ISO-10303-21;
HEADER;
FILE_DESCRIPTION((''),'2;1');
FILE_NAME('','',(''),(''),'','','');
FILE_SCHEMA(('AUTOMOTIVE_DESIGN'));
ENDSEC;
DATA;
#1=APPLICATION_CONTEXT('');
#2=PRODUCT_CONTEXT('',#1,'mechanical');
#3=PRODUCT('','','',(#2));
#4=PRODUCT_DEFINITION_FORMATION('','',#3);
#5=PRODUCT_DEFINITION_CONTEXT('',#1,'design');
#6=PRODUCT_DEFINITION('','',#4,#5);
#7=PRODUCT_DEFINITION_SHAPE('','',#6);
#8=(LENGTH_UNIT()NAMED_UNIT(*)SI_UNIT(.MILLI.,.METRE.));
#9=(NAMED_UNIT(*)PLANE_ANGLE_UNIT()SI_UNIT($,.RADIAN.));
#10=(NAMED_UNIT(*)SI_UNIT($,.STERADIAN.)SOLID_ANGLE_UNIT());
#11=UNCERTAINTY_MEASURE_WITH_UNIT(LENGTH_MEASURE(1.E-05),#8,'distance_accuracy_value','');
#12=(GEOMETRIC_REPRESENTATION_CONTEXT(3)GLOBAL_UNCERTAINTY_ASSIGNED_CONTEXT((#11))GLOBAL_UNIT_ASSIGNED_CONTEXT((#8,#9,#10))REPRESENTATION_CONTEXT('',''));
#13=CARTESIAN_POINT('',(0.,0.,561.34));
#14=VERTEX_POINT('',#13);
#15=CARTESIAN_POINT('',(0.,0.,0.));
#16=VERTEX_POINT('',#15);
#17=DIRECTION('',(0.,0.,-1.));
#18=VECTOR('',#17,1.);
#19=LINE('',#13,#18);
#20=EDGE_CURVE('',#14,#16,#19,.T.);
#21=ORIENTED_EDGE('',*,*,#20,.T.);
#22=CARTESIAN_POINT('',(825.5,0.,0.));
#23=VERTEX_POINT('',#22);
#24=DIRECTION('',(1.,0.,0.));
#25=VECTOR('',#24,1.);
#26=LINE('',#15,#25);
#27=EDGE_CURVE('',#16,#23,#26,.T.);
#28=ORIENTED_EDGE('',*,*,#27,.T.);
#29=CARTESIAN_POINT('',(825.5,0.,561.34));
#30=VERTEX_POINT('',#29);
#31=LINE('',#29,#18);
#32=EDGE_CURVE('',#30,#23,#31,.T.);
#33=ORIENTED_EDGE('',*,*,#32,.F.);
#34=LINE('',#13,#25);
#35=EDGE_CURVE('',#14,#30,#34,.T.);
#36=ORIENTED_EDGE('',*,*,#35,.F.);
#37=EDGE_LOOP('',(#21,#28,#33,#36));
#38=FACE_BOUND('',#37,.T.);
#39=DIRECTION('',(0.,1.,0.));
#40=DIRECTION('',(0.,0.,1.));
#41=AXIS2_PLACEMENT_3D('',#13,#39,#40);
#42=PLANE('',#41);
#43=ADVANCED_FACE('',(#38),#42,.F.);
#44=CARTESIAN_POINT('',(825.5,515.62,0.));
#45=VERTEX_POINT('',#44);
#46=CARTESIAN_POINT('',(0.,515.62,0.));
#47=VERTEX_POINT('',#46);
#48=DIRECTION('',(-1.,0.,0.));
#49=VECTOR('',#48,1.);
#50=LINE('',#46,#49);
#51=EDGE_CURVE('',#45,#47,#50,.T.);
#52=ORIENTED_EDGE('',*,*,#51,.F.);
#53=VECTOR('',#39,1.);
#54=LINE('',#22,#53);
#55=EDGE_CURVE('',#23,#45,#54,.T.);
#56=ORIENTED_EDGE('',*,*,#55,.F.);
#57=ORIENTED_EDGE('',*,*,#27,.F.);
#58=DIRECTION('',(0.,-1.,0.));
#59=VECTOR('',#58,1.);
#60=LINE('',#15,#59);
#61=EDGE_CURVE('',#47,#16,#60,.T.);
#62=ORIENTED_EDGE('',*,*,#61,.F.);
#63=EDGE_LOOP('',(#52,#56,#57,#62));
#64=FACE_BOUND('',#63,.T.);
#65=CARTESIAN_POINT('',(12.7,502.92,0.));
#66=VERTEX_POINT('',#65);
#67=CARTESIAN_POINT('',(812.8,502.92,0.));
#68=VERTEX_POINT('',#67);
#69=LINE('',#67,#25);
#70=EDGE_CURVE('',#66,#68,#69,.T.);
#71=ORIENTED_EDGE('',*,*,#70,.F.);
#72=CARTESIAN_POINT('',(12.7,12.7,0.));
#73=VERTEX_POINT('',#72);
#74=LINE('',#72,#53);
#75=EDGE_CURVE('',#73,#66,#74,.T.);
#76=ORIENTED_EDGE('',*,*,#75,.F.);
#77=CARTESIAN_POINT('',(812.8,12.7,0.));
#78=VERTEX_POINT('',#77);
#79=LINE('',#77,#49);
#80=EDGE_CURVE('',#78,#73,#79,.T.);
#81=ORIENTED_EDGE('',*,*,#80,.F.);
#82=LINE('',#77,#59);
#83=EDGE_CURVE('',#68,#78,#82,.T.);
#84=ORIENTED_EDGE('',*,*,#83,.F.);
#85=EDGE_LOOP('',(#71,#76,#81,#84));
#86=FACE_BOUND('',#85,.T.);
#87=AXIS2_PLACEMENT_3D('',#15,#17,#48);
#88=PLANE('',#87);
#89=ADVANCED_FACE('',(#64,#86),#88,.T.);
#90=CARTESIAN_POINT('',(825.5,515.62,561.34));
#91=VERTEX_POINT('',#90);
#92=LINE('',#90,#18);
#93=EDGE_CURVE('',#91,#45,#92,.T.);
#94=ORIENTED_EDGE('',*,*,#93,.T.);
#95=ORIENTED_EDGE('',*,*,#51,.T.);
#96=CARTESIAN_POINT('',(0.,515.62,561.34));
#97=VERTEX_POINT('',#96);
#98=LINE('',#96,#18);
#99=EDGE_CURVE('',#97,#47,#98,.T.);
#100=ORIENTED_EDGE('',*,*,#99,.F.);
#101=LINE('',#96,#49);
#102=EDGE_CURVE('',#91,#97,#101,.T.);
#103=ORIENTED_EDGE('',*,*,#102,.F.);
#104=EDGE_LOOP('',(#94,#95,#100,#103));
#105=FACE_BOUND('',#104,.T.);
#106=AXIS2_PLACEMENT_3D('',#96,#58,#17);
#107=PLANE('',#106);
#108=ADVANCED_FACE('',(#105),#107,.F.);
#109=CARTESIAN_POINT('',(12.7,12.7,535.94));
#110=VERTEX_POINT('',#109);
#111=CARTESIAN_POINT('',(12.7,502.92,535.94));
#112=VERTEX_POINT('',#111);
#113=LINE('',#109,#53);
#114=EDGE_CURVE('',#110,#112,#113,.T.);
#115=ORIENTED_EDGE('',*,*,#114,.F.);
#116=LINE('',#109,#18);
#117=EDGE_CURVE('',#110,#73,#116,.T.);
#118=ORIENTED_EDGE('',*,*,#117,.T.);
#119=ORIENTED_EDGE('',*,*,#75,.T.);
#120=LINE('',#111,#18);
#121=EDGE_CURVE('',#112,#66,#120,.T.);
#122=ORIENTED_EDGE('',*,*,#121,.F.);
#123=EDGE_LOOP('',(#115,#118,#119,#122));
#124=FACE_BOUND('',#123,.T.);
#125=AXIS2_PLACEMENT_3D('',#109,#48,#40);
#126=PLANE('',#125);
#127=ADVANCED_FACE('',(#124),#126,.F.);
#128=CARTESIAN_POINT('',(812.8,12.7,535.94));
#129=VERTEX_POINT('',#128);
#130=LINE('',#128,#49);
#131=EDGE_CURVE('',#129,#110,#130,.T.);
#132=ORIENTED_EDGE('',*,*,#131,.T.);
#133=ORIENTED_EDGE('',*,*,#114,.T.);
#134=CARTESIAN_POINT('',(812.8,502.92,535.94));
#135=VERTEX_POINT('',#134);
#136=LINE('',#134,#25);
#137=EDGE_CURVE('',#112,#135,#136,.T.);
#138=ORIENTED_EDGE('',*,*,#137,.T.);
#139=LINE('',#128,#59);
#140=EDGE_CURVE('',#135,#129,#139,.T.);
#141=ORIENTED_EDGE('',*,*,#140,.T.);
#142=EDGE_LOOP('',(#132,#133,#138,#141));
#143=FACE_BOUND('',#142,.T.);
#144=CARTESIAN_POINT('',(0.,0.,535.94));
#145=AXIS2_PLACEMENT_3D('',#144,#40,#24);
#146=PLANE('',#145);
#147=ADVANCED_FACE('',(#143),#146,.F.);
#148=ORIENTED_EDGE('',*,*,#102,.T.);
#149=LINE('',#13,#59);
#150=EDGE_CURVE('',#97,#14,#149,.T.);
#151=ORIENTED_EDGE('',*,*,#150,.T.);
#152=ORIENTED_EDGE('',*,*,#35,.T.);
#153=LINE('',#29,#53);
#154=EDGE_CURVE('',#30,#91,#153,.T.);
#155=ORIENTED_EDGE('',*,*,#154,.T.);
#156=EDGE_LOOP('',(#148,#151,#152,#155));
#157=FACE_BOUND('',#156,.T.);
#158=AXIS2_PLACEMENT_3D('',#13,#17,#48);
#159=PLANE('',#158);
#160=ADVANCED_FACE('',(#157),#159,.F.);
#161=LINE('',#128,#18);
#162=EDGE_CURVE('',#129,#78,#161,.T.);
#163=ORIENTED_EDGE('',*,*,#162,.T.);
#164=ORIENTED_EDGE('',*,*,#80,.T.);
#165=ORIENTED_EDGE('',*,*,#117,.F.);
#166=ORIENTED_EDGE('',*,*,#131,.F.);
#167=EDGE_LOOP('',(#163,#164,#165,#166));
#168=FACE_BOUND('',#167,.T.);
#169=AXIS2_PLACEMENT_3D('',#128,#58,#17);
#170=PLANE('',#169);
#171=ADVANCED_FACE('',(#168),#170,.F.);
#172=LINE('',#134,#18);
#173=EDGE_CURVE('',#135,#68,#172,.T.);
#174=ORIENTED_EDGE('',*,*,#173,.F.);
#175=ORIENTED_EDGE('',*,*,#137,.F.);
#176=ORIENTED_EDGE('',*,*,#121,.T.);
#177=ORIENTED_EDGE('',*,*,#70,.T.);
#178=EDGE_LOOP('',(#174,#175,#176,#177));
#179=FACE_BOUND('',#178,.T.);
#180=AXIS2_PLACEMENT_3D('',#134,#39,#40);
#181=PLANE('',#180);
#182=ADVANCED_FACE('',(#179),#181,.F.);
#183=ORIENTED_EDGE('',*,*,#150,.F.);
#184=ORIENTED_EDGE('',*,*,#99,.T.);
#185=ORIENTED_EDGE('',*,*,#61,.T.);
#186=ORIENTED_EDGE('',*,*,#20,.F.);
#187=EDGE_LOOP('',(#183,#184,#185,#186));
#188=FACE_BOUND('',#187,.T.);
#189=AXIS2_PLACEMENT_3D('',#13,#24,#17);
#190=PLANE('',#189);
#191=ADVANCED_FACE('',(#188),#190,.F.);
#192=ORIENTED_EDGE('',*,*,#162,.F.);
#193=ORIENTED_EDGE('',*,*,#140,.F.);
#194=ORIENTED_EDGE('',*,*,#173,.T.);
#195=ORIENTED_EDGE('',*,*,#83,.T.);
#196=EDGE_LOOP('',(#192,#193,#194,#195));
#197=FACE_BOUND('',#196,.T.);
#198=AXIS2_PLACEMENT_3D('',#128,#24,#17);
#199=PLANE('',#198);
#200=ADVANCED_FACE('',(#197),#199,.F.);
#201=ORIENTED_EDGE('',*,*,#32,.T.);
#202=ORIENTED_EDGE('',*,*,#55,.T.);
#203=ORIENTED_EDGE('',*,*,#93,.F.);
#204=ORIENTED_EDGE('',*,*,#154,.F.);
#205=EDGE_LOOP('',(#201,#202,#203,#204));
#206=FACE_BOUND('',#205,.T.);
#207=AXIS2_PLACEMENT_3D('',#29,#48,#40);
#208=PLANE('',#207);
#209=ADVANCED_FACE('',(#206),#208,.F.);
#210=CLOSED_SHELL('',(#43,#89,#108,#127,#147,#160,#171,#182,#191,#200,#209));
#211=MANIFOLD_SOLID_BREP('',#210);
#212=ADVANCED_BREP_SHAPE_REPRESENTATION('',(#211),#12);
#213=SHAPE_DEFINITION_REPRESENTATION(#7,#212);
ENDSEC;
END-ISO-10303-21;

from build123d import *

# Parameters (mm, degrees)
SKETCH1_W           = 825.5
SKETCH1_H           = 515.62
BOSS_EXTRUDE1_DEPTH = 561.34
SKETCH2_W           = 800.1
SKETCH2_H           = 490.22
CUT_EXTRUDE1_DEPTH  = 535.94


with BuildPart() as part:
    # Sketch1 → Boss-Extrude1 (new body)
    with BuildSketch(Plane.XY):
        with Locations((412.75, 257.81)):
            Rectangle(SKETCH1_W, SKETCH1_H)
    extrude(amount=BOSS_EXTRUDE1_DEPTH)

    # Sketch2 → Cut-Extrude1 (cut)
    with BuildSketch(Plane(origin=(0, 0, 0), x_dir=(-1, 0, 0), z_dir=(0, 0, -1))):
        with Locations((-412.75, 257.81)):
            Rectangle(SKETCH2_W, SKETCH2_H)
    extrude(amount=-CUT_EXTRUDE1_DEPTH, mode=Mode.SUBTRACT)


solid = part.part
